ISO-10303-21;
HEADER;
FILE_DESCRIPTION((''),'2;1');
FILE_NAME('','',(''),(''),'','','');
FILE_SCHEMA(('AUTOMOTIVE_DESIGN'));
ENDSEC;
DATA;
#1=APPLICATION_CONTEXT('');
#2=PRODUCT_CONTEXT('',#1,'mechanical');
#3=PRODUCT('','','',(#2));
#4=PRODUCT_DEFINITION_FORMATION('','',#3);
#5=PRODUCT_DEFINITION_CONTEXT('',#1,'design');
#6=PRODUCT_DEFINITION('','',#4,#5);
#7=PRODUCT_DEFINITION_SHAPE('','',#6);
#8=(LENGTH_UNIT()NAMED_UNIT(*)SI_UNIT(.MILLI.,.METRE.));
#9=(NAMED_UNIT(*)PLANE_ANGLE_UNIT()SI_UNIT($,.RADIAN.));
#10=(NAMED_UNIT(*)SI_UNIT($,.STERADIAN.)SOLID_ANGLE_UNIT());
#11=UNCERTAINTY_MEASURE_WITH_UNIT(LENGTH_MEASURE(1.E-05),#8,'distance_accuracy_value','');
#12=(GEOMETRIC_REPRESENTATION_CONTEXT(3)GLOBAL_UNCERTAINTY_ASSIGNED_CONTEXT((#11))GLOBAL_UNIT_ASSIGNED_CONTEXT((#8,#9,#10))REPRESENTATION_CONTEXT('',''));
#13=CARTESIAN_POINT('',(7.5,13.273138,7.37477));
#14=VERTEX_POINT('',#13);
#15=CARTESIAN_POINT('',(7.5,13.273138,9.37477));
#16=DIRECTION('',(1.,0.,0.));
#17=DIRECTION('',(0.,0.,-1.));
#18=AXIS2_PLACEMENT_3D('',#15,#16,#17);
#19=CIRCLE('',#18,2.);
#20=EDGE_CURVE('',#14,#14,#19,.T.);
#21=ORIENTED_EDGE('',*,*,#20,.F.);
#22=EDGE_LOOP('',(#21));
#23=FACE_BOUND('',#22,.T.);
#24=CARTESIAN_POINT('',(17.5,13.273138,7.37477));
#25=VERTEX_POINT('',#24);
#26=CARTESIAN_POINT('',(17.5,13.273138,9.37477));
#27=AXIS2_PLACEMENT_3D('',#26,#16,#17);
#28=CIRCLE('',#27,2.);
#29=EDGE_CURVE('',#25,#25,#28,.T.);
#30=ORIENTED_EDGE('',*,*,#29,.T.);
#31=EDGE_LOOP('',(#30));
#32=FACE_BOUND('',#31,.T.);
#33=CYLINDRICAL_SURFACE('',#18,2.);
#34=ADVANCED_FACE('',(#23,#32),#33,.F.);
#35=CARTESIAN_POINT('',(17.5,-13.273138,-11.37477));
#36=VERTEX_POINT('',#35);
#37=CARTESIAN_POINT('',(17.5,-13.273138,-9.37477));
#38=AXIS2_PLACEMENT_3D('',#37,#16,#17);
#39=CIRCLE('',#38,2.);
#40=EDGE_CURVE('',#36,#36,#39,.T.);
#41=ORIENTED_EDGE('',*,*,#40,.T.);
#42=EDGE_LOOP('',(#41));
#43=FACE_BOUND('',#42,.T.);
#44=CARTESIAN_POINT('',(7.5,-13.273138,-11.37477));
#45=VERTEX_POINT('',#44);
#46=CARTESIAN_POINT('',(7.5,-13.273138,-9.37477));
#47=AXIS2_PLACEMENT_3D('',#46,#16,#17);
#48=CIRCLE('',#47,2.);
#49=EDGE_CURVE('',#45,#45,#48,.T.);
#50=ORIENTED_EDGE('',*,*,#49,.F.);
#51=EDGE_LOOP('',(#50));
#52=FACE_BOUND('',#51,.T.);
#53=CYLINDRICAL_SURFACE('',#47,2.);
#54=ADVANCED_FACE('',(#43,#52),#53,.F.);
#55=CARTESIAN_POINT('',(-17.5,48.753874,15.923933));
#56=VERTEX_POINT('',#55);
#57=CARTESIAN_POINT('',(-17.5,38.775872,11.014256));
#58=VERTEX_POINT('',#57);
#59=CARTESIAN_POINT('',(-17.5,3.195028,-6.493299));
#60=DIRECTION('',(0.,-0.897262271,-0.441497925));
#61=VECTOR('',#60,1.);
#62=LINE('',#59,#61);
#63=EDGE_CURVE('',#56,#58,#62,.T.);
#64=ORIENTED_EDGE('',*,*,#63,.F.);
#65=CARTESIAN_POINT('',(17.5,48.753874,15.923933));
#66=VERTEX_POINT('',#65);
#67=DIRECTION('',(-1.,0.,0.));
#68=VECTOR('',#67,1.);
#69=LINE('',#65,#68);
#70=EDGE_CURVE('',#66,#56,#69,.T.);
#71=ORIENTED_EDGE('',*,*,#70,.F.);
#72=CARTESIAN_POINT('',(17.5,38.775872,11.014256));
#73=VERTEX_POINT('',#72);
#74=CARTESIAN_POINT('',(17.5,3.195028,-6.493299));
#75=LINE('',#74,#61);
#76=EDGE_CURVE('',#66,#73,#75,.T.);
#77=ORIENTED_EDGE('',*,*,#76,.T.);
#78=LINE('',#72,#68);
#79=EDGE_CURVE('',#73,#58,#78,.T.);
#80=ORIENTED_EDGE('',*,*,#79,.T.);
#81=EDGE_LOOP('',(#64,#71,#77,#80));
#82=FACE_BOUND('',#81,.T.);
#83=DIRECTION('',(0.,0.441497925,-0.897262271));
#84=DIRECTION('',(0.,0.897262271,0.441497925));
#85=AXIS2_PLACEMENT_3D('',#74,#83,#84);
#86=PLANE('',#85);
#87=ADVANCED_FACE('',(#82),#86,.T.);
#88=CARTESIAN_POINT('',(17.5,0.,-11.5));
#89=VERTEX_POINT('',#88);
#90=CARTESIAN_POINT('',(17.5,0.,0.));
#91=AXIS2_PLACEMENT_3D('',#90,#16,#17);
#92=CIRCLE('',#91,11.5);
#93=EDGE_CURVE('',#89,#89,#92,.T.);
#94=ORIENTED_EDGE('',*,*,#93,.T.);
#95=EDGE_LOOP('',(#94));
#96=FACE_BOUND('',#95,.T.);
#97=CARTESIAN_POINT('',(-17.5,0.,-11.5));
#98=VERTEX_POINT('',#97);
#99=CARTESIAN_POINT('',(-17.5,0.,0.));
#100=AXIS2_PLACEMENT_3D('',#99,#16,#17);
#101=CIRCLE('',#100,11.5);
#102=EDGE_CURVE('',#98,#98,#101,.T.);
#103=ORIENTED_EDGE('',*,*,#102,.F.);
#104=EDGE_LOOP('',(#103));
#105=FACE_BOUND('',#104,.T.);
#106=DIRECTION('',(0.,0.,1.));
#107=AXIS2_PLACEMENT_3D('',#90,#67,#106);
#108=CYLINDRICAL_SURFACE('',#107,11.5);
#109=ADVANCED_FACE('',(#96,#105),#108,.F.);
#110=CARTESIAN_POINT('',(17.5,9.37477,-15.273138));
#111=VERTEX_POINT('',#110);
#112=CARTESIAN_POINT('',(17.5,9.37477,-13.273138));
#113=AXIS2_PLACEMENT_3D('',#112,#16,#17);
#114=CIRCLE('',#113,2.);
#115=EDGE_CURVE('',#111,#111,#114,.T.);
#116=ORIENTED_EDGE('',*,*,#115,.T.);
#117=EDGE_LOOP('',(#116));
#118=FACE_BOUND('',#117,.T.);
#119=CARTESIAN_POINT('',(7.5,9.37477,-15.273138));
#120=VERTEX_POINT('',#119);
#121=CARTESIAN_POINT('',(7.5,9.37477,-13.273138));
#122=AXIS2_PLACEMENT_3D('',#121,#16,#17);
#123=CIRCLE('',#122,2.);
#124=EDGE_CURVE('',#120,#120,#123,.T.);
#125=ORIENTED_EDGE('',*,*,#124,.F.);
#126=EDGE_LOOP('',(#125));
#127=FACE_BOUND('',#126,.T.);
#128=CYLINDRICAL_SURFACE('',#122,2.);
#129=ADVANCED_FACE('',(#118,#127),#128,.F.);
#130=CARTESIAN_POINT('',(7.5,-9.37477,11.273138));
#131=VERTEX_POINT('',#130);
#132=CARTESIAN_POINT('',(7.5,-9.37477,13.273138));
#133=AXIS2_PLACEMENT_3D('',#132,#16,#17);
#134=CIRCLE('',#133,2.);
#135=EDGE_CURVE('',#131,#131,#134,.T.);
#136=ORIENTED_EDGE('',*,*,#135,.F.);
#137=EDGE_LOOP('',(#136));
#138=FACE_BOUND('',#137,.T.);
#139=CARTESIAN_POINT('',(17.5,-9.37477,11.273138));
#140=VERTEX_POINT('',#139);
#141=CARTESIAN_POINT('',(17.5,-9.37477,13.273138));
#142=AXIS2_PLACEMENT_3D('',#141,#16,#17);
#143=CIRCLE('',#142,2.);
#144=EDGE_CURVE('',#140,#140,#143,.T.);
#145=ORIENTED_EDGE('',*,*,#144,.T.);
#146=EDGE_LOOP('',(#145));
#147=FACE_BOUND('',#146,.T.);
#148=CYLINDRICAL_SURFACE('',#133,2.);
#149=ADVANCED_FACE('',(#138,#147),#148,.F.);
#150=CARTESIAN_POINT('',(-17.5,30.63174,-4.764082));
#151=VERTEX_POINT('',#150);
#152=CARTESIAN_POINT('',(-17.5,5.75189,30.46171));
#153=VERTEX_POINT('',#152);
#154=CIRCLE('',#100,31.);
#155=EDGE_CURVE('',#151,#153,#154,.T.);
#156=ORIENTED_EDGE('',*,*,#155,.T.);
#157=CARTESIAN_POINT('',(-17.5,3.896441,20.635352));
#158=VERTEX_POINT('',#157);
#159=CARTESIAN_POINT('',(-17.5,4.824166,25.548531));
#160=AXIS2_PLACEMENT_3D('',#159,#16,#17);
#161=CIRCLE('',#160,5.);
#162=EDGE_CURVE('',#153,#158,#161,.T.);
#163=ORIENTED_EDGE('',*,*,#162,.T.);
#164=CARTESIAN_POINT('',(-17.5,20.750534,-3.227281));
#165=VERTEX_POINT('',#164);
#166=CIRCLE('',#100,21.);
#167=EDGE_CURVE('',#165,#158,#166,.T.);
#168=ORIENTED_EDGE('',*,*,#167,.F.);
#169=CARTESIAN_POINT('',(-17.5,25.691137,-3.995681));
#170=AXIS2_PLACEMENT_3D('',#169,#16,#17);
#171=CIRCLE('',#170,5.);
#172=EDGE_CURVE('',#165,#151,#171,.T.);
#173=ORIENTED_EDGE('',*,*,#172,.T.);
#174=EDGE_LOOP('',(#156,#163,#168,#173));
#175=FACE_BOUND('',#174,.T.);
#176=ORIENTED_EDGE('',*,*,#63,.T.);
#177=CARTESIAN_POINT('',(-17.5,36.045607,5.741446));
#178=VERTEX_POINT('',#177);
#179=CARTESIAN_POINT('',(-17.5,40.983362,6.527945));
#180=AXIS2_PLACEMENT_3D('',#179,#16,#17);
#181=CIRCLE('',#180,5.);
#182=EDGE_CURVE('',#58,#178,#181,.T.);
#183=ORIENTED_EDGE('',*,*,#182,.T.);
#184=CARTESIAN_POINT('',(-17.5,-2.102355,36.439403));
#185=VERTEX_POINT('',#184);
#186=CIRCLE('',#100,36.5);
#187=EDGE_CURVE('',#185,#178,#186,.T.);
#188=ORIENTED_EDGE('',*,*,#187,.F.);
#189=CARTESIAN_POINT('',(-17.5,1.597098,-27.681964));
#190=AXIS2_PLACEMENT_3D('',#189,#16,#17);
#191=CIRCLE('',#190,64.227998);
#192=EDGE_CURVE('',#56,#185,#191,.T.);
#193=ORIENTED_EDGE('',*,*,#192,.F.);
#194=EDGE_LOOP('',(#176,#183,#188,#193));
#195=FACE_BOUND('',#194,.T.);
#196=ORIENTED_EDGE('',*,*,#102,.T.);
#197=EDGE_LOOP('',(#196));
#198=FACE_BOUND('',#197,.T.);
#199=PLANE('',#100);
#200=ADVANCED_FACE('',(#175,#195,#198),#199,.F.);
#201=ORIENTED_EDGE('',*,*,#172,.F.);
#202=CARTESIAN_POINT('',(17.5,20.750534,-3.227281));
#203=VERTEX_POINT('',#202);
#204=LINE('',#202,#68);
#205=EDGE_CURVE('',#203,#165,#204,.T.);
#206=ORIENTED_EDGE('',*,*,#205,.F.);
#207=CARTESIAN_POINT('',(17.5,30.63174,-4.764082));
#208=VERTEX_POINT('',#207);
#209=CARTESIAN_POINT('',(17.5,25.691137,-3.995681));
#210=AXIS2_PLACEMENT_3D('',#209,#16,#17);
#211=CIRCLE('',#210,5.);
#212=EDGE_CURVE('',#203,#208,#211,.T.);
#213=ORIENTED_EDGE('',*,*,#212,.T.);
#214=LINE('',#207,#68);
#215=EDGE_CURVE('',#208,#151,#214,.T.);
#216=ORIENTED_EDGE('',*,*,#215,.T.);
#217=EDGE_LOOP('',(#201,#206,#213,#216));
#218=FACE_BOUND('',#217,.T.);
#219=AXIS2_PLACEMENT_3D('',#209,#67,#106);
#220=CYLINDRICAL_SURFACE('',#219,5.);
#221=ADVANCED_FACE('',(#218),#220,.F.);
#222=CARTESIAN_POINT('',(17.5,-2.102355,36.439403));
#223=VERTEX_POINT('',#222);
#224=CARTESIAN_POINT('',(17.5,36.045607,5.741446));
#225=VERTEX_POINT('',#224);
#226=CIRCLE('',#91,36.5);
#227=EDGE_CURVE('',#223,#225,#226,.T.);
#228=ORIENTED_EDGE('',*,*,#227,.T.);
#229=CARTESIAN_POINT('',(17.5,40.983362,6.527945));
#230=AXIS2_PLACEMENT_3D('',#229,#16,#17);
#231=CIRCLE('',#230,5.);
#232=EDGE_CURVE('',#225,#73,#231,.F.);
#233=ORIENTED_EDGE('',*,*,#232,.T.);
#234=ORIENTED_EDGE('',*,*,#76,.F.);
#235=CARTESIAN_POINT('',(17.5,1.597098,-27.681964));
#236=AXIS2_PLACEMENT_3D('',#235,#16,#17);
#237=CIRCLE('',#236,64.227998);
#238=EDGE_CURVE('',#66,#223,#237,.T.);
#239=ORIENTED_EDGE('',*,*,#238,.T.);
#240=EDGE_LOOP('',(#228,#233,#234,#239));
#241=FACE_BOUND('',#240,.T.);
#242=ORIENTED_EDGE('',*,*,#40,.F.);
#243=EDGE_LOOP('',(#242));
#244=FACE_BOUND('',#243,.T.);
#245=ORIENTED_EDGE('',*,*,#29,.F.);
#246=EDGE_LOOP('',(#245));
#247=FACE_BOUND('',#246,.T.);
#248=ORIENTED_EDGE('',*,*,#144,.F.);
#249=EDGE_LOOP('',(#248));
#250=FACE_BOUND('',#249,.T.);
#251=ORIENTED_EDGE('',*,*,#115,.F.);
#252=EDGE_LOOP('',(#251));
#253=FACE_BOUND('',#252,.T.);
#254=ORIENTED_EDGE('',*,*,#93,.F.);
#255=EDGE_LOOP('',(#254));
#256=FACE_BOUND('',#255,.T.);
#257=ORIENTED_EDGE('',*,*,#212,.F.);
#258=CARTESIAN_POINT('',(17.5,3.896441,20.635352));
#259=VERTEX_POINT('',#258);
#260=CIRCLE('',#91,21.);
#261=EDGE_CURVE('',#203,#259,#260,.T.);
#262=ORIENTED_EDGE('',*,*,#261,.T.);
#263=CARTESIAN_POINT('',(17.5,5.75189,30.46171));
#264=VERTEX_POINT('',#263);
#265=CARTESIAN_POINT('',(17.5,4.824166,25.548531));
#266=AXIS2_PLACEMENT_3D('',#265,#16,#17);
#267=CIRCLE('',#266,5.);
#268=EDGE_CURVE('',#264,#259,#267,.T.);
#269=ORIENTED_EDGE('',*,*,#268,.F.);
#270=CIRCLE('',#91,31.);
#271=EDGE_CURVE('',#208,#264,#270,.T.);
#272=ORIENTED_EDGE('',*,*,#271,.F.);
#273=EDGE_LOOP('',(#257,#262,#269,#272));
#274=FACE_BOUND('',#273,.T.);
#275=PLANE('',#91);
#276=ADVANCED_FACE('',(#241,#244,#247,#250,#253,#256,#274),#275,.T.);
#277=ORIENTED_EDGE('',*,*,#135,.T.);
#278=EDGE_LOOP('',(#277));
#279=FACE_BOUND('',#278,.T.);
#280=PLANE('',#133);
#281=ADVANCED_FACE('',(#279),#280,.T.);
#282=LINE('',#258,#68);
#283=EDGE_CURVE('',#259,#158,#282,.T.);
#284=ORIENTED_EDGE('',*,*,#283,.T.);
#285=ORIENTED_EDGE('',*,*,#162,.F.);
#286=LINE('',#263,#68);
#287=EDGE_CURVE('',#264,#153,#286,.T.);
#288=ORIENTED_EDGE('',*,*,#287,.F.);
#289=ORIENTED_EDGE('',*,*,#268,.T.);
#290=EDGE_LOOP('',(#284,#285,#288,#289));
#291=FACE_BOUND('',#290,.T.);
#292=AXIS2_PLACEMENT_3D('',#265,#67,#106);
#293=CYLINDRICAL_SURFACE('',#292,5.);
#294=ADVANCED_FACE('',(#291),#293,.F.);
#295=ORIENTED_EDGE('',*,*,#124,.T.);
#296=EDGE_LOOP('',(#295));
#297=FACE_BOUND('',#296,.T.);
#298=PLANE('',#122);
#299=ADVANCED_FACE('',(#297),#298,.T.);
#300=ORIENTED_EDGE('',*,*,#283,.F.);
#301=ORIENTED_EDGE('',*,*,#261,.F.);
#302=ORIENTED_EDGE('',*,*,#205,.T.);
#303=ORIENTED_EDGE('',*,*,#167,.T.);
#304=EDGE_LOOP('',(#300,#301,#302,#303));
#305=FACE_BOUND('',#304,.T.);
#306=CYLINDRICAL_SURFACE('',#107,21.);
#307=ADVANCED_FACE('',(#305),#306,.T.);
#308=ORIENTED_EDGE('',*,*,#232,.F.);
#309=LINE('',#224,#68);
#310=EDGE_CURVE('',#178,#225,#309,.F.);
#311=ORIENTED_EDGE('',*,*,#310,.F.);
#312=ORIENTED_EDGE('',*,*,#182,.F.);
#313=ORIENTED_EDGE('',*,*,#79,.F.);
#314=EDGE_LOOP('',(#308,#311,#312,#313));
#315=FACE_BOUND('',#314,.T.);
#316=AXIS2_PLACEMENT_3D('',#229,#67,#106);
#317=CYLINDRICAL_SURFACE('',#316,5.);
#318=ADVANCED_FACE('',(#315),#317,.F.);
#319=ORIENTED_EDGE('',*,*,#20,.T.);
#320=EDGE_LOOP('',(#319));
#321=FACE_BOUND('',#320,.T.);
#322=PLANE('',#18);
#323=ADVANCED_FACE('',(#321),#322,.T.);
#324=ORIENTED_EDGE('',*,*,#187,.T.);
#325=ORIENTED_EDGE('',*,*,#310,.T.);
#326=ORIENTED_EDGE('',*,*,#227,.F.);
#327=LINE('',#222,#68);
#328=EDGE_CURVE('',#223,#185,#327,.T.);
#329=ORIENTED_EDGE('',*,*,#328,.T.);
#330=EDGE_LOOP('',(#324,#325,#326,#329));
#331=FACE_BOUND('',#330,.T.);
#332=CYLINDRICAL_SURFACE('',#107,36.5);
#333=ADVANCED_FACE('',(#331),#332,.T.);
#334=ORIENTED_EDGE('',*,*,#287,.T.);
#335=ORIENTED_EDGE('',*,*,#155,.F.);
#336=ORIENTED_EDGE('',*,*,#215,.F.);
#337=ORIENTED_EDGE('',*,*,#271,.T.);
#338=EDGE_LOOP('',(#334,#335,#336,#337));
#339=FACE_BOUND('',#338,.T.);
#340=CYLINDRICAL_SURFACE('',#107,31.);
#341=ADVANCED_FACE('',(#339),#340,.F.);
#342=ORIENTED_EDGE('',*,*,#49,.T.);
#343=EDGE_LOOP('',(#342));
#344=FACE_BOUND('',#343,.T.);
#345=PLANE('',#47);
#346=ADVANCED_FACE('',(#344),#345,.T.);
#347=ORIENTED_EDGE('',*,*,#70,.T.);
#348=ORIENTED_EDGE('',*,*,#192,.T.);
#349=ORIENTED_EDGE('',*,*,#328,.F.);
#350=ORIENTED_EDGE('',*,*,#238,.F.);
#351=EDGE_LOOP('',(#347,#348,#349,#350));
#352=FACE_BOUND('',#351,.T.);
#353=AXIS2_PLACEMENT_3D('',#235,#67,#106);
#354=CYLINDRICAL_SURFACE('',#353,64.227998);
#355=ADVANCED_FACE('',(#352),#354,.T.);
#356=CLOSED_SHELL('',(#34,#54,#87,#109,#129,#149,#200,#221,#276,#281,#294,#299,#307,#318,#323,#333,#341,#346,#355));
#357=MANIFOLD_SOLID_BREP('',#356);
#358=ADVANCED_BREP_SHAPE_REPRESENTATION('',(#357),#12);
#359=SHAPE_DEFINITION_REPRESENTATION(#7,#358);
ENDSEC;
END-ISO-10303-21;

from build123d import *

# Parameters (mm, degrees)
ESBO_O1_R                = 11.5
RESSALTO_EXTRUS_O1_DEPTH = 17.5
FILLET1_R                = 5
ESBO_O2_R                = 2
CORTE_EXTRUS_O1_DEPTH    = 10


with BuildPart() as part:
    # Esboço1 → Ressalto-extrusão1 (new, symmetric)
    with BuildSketch(Plane(origin=(0, 0, 0), x_dir=(0, 0, -1), z_dir=(1, 0, 0))):
        with BuildLine():
            Line((-9.301463672, 35.294939773), (-15.923932545, 48.753873832))
            ThreePointArc((-15.923932545, 48.753873832), (-31.882117783, 25.625328571), (-36.439403175, -2.102354921))
            ThreePointArc((-36.439403175, -2.102354921), (29.541430866, -21.43720743), (-9.301463672, 35.294939773))
        make_face()
        Circle(ESBO_O1_R, mode=Mode.SUBTRACT)
        with BuildLine():
            ThreePointArc((-30.461709826, 5.751889646), (-17.884176458, 25.321063019), (4.764081686, 30.631740494))
            ThreePointArc((4.764081686, 30.631740494), (8.936284719, 24.922736917), (3.227281142, 20.750533883))
            ThreePointArc((3.227281142, 20.750533883), (-12.115087278, 17.152978174), (-20.635351817, 3.896441373))
            ThreePointArc((-20.635351817, 3.896441373), (-26.476254958, -0.089013495), (-30.461709826, 5.751889646))
        make_face(mode=Mode.SUBTRACT)
    extrude(amount=RESSALTO_EXTRUS_O1_DEPTH, both=True)

    # Fillet1
    fillet1_edges = [part.edges().sort_by_distance(p)[0] for p in [
        (0, 35.294939773, 9.301463672),
    ]]
    fillet(fillet1_edges, radius=FILLET1_R)

    # Esboço2 → Corte-extrusão1 (cut)
    with BuildSketch(Plane(origin=(17.5, 0, 0), x_dir=(0, 0, -1), z_dir=(1, 0, 0))):
        with Locations((-9.374769917, 13.273137873)):
            Circle(ESBO_O2_R)
        with Locations((13.273137873, 9.374769917)):
            Circle(ESBO_O2_R)
        with Locations((9.374769917, -13.273137873)):
            Circle(ESBO_O2_R)
        with Locations((-13.273137873, -9.374769917)):
            Circle(ESBO_O2_R)
    extrude(amount=-CORTE_EXTRUS_O1_DEPTH, mode=Mode.SUBTRACT)


solid = part.part
